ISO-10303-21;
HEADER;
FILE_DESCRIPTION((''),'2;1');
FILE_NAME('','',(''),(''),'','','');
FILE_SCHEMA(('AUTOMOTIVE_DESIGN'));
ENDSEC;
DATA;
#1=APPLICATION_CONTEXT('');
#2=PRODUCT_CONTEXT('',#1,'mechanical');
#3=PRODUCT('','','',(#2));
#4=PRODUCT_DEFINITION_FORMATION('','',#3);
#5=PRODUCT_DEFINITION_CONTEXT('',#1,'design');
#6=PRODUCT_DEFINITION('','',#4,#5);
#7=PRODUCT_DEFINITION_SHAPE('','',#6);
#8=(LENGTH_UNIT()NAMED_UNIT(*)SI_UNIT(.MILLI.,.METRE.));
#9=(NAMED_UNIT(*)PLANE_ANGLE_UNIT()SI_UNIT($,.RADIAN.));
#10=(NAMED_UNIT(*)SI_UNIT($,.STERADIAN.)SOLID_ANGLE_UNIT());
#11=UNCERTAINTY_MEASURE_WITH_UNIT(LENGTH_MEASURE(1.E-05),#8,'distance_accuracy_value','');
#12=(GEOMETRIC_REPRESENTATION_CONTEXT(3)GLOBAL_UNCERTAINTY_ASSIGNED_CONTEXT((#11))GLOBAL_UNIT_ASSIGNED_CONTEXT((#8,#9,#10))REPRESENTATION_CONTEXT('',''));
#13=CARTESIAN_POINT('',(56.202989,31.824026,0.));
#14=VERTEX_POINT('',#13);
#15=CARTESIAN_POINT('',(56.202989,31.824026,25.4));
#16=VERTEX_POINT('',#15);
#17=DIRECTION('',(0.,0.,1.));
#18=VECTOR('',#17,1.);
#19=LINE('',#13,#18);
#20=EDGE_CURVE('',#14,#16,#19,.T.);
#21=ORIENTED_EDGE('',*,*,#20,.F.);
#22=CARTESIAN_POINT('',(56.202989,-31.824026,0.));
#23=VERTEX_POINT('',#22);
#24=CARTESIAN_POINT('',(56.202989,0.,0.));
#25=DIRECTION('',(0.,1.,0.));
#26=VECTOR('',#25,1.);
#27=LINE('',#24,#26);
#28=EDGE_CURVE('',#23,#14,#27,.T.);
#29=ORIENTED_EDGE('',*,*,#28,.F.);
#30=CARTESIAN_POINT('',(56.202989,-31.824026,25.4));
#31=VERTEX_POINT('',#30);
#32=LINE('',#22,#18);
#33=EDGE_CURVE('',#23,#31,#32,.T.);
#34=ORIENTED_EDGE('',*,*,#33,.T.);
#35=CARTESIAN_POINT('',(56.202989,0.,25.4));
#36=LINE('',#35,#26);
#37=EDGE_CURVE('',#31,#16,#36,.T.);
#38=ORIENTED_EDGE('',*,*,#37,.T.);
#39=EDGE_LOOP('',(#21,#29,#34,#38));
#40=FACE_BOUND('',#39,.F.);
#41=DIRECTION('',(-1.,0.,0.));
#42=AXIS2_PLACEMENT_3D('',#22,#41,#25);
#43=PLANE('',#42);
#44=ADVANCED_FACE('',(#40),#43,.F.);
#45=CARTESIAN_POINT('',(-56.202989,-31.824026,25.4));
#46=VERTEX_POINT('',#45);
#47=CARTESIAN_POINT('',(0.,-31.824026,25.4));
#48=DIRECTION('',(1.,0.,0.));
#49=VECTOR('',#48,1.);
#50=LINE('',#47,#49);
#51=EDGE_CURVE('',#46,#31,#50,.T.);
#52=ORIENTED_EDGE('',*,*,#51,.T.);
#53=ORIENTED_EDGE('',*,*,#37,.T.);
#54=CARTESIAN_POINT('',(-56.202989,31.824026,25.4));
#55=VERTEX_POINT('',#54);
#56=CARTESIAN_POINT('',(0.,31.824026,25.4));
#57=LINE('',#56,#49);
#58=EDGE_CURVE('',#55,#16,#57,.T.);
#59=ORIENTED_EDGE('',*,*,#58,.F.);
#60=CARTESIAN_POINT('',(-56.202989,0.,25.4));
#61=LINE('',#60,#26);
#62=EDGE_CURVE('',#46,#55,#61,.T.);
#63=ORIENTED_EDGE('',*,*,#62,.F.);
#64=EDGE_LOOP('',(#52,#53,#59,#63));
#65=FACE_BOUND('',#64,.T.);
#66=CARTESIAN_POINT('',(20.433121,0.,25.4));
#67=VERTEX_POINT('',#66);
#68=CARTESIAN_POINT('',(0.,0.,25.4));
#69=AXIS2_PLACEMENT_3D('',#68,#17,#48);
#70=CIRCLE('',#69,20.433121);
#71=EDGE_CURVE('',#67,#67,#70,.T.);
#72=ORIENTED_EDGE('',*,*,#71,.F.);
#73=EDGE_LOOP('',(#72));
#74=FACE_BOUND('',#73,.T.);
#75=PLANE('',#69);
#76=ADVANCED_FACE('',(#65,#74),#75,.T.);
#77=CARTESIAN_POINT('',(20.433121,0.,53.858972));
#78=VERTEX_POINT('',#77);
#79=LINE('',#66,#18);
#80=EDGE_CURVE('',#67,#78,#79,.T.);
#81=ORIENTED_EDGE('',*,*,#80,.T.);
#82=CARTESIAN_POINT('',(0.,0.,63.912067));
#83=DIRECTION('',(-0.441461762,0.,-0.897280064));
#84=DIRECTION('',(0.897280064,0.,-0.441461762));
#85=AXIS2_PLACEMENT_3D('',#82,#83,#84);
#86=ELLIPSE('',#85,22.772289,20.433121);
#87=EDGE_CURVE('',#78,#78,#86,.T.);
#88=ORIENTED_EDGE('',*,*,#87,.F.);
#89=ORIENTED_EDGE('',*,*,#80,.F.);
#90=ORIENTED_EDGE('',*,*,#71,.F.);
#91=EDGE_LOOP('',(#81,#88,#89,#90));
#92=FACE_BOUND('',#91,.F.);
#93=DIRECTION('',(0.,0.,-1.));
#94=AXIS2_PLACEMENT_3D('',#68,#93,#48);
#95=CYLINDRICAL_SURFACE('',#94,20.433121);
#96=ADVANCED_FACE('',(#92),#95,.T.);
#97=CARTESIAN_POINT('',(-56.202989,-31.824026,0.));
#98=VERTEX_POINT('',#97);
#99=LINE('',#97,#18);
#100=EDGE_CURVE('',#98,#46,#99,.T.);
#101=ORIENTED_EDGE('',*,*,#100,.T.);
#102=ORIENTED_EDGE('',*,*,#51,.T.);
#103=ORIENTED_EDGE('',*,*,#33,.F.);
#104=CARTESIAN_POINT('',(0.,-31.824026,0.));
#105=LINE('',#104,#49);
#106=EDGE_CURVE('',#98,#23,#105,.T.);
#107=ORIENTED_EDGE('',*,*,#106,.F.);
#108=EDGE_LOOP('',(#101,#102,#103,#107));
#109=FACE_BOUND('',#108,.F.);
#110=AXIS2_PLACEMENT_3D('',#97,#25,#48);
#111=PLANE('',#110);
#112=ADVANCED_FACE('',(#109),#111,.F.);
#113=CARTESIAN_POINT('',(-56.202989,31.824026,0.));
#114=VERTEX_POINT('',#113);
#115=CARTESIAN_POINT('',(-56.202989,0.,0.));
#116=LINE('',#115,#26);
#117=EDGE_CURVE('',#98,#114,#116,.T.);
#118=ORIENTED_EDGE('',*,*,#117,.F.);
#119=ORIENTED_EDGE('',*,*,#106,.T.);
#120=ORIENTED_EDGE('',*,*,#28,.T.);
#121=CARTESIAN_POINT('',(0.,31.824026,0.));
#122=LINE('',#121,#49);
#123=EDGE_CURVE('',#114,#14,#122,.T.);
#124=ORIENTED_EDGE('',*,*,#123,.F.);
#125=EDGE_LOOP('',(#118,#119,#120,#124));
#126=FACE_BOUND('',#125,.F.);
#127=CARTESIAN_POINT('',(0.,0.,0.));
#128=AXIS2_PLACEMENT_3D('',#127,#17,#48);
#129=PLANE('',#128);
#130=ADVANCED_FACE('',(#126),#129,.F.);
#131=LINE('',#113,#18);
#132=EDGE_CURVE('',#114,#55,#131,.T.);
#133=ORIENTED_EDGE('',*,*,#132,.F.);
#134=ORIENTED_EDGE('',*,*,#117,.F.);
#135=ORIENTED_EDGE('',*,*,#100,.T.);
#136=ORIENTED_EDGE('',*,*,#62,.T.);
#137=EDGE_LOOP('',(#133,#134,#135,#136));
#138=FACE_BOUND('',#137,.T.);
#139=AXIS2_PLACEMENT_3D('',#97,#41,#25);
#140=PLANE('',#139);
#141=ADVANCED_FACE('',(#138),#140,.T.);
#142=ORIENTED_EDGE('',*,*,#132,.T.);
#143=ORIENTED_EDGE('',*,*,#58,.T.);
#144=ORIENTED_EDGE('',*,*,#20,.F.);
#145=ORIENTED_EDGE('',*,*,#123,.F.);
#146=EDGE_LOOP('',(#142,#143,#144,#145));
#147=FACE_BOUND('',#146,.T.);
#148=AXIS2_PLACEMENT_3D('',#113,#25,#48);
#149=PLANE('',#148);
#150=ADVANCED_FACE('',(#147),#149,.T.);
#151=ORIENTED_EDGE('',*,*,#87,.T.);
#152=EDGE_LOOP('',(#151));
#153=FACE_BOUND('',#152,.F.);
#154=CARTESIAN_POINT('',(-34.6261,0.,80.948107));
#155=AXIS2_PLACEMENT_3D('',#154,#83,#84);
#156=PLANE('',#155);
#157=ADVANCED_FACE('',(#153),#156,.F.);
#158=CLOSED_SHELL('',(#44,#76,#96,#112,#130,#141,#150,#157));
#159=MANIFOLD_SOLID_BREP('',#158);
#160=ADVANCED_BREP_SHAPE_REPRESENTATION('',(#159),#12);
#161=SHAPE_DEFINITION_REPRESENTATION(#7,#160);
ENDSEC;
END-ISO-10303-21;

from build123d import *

# Parameters (mm, degrees)
F0_W     = 112.405978
F0_H     = 63.648052
F1_DEPTH = 25.4
F2_R     = 20.433121
F3_DEPTH = 50.8
F5_DEPTH = 25.4


with BuildPart() as f1:
    # F0 (on Top) → F1 (new body)
    with BuildSketch(Plane.XY):
        Rectangle(F0_W, F0_H)
    extrude(amount=F1_DEPTH)

    # F2 (on face) → F3 (join)
    with BuildSketch(Plane.XY.offset(25.4)):
        Circle(F2_R)
    extrude(amount=F3_DEPTH)

    # F4 (on Front) → F5 (cut, symmetric)
    with BuildSketch(Plane.XZ):
        Polygon((42.320769, 80.948107), (-34.6261, 80.948107), (42.320769, 43.09025), align=None)
    extrude(amount=F5_DEPTH, both=True, mode=Mode.SUBTRACT)


solid = f1.part
